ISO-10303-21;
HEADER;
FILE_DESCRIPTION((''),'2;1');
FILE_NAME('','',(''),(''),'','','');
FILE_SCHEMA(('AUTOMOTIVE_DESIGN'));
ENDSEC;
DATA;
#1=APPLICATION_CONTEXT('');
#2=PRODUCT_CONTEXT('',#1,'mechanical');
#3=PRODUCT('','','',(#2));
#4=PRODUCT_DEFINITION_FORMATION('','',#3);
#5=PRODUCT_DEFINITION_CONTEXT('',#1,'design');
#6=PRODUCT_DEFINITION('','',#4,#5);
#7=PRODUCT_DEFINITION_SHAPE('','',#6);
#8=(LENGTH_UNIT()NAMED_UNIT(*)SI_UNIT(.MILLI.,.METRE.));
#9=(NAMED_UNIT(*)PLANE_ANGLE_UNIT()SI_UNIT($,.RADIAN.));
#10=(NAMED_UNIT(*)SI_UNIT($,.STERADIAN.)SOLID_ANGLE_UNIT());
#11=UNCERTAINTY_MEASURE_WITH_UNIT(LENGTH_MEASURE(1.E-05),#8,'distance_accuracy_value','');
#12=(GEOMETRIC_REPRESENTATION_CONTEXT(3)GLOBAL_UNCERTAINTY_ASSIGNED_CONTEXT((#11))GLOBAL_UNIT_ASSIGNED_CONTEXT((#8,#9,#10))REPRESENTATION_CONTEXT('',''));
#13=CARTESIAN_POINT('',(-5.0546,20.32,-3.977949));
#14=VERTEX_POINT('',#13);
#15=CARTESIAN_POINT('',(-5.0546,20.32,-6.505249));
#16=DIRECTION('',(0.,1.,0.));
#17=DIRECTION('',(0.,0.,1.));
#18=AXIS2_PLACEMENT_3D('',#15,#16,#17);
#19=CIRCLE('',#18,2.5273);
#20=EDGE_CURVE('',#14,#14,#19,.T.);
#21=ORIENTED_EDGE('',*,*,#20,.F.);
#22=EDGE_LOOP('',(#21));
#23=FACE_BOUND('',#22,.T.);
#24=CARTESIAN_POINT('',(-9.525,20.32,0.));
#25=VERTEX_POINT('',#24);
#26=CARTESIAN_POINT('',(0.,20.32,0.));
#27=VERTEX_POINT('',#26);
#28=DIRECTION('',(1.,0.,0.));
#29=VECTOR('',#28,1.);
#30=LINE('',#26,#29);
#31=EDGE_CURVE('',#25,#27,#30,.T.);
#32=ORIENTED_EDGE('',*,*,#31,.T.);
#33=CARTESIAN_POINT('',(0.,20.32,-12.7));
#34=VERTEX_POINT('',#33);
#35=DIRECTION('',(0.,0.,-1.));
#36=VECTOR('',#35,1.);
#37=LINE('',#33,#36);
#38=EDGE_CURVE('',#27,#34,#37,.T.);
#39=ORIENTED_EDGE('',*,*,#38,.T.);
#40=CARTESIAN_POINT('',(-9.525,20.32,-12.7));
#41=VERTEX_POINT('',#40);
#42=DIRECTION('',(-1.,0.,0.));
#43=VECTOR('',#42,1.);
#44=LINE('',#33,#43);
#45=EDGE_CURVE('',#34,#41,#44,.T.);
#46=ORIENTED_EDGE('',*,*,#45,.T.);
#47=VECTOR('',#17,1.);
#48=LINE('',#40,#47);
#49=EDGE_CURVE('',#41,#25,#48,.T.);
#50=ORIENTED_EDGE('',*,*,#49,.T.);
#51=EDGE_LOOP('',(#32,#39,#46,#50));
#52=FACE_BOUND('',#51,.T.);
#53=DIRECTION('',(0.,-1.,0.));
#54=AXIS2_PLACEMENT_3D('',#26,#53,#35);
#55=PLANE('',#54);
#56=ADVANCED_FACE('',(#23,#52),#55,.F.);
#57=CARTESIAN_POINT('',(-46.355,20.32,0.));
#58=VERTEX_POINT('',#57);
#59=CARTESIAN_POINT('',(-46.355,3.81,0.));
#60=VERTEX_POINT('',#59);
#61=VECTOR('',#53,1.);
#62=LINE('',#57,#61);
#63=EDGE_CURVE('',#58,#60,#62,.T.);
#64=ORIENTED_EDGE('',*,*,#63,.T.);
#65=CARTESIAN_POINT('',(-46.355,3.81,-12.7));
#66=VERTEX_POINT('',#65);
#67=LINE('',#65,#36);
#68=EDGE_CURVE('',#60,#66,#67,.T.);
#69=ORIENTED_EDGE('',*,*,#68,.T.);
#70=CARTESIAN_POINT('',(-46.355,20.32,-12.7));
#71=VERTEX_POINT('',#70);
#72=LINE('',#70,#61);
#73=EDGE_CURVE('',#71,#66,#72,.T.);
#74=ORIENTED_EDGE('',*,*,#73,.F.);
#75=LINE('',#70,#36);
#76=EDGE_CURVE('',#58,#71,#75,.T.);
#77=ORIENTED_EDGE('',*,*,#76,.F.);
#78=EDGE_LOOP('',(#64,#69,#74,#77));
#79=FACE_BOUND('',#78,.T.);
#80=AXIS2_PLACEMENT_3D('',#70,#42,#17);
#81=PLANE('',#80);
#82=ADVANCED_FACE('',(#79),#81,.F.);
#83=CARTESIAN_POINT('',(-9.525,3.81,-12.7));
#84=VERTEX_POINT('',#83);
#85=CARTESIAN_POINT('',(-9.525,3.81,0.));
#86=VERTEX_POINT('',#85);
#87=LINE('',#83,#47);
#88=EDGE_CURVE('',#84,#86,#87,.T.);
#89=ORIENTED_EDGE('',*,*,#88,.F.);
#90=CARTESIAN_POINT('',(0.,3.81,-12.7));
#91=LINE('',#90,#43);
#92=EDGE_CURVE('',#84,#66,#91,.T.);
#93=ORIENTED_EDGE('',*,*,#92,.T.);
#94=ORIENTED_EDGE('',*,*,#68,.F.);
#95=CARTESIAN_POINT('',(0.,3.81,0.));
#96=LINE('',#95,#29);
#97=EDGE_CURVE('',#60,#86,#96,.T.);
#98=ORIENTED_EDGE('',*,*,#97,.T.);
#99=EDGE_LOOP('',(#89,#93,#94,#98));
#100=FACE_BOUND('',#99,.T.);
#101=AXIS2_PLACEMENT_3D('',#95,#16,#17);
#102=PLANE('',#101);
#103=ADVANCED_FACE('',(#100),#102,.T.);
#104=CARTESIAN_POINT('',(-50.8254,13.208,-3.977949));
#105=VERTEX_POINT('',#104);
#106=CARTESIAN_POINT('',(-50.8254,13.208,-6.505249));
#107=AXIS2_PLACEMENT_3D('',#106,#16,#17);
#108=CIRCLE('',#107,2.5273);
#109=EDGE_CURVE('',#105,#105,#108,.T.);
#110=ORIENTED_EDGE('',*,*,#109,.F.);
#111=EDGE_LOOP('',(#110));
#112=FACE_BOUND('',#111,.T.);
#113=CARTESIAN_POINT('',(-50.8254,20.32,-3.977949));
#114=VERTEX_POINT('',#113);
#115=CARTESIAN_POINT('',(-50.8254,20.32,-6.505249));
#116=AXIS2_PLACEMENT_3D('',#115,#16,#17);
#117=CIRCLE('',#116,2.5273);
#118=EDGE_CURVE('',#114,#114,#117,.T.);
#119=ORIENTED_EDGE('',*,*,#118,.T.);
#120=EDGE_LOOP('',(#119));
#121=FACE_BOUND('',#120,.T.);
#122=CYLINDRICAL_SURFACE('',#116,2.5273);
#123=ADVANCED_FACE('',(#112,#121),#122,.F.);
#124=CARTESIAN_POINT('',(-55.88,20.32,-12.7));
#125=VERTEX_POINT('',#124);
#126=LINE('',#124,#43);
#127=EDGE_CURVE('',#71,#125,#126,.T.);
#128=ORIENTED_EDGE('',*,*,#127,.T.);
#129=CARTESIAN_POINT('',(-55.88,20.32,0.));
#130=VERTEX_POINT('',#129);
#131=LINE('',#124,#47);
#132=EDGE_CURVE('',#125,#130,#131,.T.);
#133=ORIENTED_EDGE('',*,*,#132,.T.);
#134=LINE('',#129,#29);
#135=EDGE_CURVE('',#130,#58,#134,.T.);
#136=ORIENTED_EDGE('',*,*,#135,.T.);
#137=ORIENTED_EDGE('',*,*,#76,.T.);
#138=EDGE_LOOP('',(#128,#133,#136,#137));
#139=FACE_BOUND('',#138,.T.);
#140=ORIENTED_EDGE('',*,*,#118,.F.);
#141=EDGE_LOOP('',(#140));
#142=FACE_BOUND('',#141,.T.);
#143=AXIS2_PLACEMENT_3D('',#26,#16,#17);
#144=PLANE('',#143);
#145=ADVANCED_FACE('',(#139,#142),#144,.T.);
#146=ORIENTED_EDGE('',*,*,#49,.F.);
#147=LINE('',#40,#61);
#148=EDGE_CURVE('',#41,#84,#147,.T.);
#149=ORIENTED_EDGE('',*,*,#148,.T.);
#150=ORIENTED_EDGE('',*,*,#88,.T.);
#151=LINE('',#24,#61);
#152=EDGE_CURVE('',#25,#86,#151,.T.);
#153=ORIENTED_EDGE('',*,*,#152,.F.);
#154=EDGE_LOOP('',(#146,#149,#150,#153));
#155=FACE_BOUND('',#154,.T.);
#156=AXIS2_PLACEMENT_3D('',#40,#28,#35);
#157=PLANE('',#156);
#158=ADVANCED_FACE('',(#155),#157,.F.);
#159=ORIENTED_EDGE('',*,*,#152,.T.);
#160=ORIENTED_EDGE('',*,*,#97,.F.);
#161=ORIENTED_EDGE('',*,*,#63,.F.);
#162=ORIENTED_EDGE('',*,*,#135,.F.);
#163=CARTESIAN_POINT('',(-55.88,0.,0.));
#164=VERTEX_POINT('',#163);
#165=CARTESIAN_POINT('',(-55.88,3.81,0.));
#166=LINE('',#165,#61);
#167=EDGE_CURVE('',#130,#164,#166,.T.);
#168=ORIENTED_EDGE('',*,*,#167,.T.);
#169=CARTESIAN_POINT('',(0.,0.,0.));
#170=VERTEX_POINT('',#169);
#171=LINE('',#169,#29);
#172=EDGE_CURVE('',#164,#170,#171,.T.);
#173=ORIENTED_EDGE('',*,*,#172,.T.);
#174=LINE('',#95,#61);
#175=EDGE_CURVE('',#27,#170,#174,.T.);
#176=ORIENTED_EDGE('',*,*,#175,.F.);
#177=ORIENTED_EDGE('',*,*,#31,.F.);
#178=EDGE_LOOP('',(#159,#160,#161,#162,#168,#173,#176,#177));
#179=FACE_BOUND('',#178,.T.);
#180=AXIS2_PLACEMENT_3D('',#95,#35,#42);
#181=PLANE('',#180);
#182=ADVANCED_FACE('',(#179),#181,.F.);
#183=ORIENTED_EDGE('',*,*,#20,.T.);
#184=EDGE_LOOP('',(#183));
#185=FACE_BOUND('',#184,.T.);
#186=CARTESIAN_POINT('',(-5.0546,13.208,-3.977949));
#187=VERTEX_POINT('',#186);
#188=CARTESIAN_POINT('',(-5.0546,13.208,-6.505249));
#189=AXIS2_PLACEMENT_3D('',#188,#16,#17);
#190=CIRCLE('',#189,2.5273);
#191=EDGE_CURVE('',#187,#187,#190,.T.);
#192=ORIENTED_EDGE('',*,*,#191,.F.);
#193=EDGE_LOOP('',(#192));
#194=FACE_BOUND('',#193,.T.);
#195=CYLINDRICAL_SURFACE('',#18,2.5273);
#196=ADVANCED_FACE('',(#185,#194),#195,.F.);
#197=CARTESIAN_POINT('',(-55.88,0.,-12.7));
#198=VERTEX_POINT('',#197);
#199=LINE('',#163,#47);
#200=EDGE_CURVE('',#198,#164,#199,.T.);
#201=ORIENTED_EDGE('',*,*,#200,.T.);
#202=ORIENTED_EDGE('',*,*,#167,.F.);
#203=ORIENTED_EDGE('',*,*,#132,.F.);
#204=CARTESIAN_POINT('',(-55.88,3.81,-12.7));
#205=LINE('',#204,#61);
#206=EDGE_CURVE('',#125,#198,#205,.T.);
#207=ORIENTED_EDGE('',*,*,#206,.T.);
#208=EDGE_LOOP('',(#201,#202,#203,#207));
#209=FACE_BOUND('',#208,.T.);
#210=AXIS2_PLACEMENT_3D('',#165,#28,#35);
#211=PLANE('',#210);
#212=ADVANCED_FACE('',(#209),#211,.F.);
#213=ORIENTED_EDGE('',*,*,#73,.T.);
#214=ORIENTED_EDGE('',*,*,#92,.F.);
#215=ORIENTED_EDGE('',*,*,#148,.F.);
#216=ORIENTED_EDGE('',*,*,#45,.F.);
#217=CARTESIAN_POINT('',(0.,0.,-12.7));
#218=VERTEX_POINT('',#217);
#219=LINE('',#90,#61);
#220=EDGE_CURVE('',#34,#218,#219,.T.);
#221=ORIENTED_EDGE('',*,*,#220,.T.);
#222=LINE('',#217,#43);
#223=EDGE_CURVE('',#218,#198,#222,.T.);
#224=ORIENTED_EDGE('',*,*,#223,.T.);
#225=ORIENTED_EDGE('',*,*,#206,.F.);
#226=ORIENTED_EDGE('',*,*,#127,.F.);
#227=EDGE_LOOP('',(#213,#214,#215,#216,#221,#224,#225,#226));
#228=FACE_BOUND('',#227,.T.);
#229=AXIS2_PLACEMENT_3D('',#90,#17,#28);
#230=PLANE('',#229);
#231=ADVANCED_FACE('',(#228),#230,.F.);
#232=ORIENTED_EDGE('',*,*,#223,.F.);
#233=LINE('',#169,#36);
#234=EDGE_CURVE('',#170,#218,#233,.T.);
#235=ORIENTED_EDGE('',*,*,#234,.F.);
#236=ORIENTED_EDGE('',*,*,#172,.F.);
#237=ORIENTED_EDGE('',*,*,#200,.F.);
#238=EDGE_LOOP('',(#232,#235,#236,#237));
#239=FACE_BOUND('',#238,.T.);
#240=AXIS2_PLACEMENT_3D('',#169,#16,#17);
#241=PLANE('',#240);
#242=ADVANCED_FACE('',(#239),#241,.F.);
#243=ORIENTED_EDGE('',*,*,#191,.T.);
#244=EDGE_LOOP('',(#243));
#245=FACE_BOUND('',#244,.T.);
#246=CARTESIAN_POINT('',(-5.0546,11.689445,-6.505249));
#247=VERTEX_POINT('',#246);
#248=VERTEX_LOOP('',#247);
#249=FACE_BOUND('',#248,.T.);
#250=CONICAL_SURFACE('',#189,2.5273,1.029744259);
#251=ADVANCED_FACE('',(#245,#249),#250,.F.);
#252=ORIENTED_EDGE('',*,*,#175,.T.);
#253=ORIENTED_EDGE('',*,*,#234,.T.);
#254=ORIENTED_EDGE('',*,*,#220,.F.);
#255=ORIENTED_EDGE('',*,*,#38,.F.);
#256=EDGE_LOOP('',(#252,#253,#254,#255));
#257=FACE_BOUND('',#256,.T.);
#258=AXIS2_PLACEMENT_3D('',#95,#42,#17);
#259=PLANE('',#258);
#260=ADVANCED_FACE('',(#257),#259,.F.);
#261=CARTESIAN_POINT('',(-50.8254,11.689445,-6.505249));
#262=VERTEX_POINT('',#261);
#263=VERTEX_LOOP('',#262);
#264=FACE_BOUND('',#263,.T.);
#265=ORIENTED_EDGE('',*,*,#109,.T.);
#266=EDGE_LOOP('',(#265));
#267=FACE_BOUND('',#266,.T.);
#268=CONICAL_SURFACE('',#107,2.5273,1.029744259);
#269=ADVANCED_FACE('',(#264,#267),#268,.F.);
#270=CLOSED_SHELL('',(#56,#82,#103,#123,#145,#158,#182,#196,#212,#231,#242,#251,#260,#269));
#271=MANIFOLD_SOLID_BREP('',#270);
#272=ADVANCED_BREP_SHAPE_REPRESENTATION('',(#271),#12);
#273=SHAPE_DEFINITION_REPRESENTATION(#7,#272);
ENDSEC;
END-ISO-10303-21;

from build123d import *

# Parameters (mm, degrees)
SKETCH1_W                      = 55.88
SKETCH1_H                      = 12.7
BOSS_EXTRUDE1_DEPTH            = 3.81
SKETCH2_W                      = 9.525
SKETCH2_H                      = 12.7
BOSS_EXTRUDE2_DEPTH            = 16.51
F_8_0_199_DIAMETER_HOLE1_D     = 5.0546
F_8_0_199_DIAMETER_HOLE1_DEPTH = 7.112
F_8_0_199_DIAMETER_HOLE1_TIP   = 1.518555042


with BuildPart() as part:
    # Sketch1 → Boss-Extrude1 (new body)
    with BuildSketch(Plane(origin=(0, 0, 0), x_dir=(1, 0, 0), z_dir=(0, 1, 0))):
        with Locations((-27.94, 6.35)):
            Rectangle(SKETCH1_W, SKETCH1_H)
    extrude(amount=BOSS_EXTRUDE1_DEPTH)

    # Sketch2 → Boss-Extrude2 (add)
    with BuildSketch(Plane(origin=(0, 3.81, 0), x_dir=(1, 0, 0), z_dir=(0, 1, 0))):
        with Locations((-51.1175, 6.35)):
            Rectangle(SKETCH2_W, SKETCH2_H)
        with Locations((-4.7625, 6.35)):
            Rectangle(SKETCH2_W, SKETCH2_H)
    extrude(amount=BOSS_EXTRUDE2_DEPTH)

    # #8 (0.199) Diameter Hole1
    with Locations(Plane(origin=(0, 20.32, 0), x_dir=(1, 0, 0), z_dir=(0, 1, 0))):
        with Locations((-50.8254, 6.505248616), (-5.0546, 6.505248616)):
            Hole(F_8_0_199_DIAMETER_HOLE1_D / 2, depth=F_8_0_199_DIAMETER_HOLE1_DEPTH)
            with Locations((0, 0, -(F_8_0_199_DIAMETER_HOLE1_DEPTH + F_8_0_199_DIAMETER_HOLE1_TIP / 2))):  # 118° drill point
                Cone(0, F_8_0_199_DIAMETER_HOLE1_D / 2, F_8_0_199_DIAMETER_HOLE1_TIP, mode=Mode.SUBTRACT)


solid = part.part
